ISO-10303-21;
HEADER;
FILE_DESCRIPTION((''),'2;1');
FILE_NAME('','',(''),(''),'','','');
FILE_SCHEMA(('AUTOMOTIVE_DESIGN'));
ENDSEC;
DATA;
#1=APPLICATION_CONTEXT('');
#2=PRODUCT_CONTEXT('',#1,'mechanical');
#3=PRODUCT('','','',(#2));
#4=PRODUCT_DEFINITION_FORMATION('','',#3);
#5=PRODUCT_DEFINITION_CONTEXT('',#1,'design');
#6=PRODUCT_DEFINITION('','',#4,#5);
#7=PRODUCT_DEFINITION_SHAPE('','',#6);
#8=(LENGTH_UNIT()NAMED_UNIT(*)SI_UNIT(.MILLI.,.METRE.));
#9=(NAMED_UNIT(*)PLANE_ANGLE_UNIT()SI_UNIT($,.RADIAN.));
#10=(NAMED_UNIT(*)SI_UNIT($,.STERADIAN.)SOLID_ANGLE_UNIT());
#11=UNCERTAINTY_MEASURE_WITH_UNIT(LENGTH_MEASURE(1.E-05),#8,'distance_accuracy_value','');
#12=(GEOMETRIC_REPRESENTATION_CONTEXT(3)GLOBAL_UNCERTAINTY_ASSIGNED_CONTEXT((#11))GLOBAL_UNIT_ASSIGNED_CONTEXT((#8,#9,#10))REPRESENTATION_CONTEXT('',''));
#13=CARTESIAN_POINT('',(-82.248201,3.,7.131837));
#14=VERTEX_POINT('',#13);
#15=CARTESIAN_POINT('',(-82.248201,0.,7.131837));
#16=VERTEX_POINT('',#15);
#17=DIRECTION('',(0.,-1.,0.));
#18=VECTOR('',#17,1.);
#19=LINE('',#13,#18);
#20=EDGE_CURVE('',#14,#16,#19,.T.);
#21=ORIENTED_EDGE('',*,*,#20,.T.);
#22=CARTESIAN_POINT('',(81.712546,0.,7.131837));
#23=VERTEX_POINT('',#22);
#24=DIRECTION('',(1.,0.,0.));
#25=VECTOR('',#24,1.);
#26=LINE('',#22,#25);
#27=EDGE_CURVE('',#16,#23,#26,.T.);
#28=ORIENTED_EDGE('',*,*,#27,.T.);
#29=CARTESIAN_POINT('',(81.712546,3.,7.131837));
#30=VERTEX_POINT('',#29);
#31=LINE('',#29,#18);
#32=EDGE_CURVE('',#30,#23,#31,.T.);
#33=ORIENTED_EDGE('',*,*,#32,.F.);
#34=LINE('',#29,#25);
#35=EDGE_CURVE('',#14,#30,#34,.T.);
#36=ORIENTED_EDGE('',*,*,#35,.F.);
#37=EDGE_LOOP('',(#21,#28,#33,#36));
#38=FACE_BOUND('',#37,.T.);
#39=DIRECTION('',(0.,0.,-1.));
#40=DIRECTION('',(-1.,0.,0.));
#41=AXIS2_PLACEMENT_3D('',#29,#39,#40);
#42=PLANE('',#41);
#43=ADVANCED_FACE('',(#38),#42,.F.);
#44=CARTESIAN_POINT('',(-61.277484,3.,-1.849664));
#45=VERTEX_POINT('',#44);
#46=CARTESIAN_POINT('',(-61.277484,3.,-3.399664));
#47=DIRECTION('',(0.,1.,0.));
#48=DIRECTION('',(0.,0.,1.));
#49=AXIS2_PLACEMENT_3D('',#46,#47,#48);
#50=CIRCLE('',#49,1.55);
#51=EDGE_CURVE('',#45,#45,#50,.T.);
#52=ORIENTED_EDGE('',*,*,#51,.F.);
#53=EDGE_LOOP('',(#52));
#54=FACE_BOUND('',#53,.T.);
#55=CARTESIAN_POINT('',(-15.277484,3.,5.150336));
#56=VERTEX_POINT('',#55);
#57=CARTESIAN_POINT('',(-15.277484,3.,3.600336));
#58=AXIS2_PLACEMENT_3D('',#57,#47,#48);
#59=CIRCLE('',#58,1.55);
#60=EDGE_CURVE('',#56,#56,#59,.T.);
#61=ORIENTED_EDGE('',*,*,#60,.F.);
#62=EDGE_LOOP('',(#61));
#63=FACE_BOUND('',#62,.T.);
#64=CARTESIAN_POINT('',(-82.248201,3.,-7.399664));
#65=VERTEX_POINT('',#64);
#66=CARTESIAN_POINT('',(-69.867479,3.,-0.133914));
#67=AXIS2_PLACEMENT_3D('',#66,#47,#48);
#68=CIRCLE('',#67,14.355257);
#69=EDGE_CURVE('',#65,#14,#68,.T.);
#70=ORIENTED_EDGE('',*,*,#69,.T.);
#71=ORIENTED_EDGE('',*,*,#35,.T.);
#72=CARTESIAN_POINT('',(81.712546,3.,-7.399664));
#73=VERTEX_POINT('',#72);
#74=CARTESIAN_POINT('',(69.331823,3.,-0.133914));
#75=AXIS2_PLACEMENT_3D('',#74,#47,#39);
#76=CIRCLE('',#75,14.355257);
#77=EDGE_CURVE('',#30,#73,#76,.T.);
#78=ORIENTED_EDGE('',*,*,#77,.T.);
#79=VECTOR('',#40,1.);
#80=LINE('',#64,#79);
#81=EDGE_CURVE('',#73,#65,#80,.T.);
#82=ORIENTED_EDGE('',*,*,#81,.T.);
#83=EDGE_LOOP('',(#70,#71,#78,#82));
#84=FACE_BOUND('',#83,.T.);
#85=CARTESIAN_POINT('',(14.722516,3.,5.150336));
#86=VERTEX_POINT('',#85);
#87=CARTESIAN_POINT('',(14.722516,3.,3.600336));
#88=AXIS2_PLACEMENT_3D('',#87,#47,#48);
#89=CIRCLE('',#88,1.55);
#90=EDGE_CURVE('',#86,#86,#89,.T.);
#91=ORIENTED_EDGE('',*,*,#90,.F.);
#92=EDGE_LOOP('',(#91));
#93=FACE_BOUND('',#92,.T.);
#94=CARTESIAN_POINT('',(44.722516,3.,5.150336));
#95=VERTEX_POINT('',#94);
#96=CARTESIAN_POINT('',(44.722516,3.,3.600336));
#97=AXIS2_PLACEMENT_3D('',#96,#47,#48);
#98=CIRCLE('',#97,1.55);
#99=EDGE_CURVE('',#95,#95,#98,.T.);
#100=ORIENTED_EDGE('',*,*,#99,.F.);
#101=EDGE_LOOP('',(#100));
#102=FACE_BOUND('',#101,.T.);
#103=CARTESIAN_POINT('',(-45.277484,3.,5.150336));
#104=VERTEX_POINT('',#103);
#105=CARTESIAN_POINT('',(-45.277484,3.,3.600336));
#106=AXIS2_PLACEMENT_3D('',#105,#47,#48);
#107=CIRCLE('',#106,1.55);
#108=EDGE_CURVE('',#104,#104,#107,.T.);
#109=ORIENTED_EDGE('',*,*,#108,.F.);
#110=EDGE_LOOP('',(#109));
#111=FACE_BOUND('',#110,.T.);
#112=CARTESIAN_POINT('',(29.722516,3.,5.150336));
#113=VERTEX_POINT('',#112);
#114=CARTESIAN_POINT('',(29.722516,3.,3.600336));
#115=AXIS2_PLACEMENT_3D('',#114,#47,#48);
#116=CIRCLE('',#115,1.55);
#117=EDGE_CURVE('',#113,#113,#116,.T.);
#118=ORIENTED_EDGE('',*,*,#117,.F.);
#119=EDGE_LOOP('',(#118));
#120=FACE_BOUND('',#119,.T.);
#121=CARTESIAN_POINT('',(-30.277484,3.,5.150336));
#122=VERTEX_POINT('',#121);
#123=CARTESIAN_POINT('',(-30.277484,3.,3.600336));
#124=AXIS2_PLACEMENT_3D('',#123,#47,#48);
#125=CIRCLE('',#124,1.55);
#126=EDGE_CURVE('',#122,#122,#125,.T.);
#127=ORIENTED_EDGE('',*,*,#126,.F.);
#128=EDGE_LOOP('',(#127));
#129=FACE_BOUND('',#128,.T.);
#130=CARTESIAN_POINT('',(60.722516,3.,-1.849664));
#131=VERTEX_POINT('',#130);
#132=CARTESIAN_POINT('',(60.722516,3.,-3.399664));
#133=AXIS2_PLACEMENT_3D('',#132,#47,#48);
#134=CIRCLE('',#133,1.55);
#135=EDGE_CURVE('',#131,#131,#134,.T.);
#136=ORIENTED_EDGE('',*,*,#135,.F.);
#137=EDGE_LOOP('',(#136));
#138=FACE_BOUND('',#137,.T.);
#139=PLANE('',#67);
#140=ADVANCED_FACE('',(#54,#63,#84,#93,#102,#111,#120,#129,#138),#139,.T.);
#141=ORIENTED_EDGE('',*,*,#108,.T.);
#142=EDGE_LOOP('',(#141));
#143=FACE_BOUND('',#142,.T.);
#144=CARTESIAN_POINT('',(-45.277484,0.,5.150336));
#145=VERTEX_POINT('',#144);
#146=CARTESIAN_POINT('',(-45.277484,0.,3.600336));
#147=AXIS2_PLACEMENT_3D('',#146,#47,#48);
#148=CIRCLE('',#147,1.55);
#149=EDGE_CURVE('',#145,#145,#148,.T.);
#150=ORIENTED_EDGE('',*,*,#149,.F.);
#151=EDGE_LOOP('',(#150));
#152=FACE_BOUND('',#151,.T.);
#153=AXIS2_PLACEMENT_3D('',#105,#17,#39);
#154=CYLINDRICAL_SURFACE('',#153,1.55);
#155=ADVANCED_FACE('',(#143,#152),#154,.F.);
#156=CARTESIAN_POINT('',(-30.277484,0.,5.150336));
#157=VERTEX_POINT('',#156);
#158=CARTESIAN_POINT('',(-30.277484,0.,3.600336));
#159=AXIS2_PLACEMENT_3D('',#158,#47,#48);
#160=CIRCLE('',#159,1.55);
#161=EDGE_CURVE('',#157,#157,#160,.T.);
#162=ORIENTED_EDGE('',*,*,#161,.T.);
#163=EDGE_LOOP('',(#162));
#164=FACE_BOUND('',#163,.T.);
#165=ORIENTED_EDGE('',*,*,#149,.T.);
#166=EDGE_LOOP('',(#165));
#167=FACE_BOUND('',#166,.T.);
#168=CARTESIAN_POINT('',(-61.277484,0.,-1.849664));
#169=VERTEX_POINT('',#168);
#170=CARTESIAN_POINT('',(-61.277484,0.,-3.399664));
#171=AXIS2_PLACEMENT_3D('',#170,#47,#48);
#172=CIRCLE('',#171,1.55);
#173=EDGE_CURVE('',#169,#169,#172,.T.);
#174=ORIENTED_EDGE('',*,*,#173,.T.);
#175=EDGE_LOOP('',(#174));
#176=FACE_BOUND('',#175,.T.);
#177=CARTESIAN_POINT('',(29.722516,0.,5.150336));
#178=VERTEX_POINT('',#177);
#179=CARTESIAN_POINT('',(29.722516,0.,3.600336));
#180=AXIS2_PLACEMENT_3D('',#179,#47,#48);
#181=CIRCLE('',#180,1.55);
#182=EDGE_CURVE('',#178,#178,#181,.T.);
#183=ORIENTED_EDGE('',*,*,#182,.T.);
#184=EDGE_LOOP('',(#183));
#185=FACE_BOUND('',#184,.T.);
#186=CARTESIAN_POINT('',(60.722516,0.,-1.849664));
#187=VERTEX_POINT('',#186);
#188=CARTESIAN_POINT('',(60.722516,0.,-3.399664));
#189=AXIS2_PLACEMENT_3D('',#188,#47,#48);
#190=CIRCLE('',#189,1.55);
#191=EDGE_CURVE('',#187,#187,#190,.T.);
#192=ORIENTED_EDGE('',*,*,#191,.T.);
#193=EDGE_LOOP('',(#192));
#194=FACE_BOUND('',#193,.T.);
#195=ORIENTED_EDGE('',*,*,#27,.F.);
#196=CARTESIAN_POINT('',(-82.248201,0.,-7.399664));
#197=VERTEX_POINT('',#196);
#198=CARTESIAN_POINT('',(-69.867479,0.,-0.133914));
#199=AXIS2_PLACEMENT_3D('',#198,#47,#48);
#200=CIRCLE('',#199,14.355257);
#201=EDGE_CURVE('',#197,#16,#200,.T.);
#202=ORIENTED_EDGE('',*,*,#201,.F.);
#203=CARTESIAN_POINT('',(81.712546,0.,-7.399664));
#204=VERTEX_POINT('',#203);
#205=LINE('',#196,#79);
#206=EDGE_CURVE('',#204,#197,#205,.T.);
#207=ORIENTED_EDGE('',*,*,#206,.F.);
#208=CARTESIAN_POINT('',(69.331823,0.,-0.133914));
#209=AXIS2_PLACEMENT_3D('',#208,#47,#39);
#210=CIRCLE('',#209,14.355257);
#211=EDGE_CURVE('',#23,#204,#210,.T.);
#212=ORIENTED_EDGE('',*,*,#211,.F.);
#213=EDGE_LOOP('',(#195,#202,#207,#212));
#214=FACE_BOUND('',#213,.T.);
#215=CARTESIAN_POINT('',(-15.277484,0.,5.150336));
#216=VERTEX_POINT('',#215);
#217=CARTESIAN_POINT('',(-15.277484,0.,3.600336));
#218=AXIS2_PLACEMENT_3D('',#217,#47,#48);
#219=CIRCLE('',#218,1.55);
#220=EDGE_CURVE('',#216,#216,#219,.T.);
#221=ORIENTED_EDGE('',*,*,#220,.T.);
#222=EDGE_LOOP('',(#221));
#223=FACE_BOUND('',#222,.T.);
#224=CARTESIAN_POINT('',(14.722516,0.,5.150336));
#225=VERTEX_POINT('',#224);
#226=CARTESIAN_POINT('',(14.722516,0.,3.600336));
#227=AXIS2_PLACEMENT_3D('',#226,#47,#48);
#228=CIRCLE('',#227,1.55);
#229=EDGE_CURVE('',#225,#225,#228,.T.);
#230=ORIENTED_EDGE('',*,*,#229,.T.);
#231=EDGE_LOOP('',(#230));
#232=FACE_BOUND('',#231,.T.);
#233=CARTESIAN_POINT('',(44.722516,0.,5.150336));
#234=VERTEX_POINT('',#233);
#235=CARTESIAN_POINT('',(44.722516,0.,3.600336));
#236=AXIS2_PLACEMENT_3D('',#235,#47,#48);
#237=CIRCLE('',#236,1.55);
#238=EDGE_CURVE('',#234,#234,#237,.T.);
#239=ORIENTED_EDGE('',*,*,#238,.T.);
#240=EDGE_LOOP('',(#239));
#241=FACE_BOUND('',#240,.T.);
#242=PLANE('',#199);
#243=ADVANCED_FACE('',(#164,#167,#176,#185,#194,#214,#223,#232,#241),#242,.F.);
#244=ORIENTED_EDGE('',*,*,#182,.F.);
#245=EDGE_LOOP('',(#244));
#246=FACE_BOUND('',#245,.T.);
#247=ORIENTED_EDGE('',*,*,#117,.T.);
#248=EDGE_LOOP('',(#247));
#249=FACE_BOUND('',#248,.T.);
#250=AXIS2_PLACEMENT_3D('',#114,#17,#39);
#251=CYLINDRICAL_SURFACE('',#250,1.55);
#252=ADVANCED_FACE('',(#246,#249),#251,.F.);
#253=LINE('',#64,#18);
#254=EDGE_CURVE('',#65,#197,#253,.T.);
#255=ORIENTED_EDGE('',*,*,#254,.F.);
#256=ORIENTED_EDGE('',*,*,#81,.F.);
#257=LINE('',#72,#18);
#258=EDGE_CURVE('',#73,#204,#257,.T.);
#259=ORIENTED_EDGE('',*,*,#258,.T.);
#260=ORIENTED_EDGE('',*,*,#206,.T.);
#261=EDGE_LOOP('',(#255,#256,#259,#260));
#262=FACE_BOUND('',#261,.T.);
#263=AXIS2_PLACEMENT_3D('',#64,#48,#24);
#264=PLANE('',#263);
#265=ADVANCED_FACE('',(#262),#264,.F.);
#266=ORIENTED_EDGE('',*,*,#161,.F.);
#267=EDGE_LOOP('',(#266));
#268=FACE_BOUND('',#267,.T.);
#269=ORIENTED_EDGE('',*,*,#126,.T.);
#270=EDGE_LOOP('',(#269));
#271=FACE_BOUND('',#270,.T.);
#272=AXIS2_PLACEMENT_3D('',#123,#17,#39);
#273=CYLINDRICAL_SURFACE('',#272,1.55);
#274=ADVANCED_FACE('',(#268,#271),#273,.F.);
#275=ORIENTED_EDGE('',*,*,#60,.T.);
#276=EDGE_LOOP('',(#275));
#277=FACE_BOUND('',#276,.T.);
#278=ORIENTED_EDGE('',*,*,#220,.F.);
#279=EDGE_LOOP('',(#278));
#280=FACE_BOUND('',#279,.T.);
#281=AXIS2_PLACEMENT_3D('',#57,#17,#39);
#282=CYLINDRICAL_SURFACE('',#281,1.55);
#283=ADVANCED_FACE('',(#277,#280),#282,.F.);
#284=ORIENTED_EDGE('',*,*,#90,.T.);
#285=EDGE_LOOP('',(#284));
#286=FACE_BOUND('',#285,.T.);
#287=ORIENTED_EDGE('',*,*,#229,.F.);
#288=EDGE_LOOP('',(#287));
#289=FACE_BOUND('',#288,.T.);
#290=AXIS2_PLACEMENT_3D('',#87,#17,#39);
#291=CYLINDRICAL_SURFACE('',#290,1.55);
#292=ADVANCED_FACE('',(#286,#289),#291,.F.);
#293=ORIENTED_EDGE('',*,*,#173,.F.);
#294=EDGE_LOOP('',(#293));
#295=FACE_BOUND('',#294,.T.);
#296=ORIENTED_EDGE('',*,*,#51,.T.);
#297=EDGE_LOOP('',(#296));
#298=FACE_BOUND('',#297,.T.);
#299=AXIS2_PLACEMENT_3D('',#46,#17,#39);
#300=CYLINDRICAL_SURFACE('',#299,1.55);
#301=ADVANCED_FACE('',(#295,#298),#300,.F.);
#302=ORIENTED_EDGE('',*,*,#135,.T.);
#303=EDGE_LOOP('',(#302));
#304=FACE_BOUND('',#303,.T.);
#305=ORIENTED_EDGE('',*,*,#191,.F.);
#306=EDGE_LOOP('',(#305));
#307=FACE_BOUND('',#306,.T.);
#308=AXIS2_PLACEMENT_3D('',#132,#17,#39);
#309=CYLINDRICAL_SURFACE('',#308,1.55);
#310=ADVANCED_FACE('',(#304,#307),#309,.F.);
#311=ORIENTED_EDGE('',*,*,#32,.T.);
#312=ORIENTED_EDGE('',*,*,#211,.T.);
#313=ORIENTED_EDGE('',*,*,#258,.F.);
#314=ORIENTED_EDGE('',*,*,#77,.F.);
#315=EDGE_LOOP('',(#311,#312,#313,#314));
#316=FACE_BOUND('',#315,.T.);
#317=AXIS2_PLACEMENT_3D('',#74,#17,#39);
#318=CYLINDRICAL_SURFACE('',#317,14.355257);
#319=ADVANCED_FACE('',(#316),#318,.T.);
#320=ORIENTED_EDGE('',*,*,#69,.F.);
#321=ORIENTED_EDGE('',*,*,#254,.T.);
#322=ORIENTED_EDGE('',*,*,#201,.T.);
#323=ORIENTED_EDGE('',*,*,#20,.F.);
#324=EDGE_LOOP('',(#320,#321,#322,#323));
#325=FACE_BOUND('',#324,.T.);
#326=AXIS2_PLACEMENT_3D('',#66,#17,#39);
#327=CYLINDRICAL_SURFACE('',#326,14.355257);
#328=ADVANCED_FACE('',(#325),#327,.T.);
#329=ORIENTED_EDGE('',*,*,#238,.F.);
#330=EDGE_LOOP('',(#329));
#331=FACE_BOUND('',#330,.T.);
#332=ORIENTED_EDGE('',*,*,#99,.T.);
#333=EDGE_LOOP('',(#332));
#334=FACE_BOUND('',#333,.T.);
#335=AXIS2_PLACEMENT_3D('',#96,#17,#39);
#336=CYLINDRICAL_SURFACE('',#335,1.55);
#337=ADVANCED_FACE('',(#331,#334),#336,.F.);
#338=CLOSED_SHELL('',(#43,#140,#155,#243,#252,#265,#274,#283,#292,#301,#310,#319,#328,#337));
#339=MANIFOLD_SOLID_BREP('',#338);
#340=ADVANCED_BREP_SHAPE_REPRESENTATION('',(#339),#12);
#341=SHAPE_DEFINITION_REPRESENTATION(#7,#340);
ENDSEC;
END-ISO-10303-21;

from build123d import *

# Parameters (mm, degrees)
SKETCH_2_R      = 1.55
EXTRUDE_2_DEPTH = 3


with BuildPart() as part:
    # 草图2 → 凸台-拉伸2 (new body)
    with BuildSketch(Plane(origin=(0, 0, 0), x_dir=(1, 0, 0), z_dir=(0, 1, 0))):
        with BuildLine():
            Line((-82.248200933, 7.399664194), (81.712545766, 7.399664194))
            ThreePointArc((81.712545766, 7.399664194), (83.687080801, 0.133913792), (81.712545766, -7.131836611))
            Line((81.712545766, -7.131836611), (-82.248200933, -7.131836611))
            ThreePointArc((-82.248200933, -7.131836611), (-84.222735969, 0.133913792), (-82.248200933, 7.399664194))
        make_face()
        with Locations(Location((-61.277484151, 3.399664194, 0), (0, 0, 270))):
            Circle(SKETCH_2_R, mode=Mode.SUBTRACT)
        with Locations(Location((-15.277484151, -3.600335806, 0), (0, 0, 270))):
            Circle(SKETCH_2_R, mode=Mode.SUBTRACT)
        with Locations(Location((14.722515849, -3.600335806, 0), (0, 0, 270))):
            Circle(SKETCH_2_R, mode=Mode.SUBTRACT)
        with Locations(Location((60.722515849, 3.399664194, 0), (0, 0, 270))):
            Circle(SKETCH_2_R, mode=Mode.SUBTRACT)
        with Locations(Location((-45.277484151, -3.600335806, 0), (0, 0, 270))):
            Circle(SKETCH_2_R, mode=Mode.SUBTRACT)
        with Locations(Location((-30.277484151, -3.600335806, 0), (0, 0, 270))):
            Circle(SKETCH_2_R, mode=Mode.SUBTRACT)
        with Locations(Location((29.722515849, -3.600335806, 0), (0, 0, 270))):
            Circle(SKETCH_2_R, mode=Mode.SUBTRACT)
        with Locations(Location((44.722515849, -3.600335806, 0), (0, 0, 270))):
            Circle(SKETCH_2_R, mode=Mode.SUBTRACT)
    extrude(amount=EXTRUDE_2_DEPTH)


solid = part.part
